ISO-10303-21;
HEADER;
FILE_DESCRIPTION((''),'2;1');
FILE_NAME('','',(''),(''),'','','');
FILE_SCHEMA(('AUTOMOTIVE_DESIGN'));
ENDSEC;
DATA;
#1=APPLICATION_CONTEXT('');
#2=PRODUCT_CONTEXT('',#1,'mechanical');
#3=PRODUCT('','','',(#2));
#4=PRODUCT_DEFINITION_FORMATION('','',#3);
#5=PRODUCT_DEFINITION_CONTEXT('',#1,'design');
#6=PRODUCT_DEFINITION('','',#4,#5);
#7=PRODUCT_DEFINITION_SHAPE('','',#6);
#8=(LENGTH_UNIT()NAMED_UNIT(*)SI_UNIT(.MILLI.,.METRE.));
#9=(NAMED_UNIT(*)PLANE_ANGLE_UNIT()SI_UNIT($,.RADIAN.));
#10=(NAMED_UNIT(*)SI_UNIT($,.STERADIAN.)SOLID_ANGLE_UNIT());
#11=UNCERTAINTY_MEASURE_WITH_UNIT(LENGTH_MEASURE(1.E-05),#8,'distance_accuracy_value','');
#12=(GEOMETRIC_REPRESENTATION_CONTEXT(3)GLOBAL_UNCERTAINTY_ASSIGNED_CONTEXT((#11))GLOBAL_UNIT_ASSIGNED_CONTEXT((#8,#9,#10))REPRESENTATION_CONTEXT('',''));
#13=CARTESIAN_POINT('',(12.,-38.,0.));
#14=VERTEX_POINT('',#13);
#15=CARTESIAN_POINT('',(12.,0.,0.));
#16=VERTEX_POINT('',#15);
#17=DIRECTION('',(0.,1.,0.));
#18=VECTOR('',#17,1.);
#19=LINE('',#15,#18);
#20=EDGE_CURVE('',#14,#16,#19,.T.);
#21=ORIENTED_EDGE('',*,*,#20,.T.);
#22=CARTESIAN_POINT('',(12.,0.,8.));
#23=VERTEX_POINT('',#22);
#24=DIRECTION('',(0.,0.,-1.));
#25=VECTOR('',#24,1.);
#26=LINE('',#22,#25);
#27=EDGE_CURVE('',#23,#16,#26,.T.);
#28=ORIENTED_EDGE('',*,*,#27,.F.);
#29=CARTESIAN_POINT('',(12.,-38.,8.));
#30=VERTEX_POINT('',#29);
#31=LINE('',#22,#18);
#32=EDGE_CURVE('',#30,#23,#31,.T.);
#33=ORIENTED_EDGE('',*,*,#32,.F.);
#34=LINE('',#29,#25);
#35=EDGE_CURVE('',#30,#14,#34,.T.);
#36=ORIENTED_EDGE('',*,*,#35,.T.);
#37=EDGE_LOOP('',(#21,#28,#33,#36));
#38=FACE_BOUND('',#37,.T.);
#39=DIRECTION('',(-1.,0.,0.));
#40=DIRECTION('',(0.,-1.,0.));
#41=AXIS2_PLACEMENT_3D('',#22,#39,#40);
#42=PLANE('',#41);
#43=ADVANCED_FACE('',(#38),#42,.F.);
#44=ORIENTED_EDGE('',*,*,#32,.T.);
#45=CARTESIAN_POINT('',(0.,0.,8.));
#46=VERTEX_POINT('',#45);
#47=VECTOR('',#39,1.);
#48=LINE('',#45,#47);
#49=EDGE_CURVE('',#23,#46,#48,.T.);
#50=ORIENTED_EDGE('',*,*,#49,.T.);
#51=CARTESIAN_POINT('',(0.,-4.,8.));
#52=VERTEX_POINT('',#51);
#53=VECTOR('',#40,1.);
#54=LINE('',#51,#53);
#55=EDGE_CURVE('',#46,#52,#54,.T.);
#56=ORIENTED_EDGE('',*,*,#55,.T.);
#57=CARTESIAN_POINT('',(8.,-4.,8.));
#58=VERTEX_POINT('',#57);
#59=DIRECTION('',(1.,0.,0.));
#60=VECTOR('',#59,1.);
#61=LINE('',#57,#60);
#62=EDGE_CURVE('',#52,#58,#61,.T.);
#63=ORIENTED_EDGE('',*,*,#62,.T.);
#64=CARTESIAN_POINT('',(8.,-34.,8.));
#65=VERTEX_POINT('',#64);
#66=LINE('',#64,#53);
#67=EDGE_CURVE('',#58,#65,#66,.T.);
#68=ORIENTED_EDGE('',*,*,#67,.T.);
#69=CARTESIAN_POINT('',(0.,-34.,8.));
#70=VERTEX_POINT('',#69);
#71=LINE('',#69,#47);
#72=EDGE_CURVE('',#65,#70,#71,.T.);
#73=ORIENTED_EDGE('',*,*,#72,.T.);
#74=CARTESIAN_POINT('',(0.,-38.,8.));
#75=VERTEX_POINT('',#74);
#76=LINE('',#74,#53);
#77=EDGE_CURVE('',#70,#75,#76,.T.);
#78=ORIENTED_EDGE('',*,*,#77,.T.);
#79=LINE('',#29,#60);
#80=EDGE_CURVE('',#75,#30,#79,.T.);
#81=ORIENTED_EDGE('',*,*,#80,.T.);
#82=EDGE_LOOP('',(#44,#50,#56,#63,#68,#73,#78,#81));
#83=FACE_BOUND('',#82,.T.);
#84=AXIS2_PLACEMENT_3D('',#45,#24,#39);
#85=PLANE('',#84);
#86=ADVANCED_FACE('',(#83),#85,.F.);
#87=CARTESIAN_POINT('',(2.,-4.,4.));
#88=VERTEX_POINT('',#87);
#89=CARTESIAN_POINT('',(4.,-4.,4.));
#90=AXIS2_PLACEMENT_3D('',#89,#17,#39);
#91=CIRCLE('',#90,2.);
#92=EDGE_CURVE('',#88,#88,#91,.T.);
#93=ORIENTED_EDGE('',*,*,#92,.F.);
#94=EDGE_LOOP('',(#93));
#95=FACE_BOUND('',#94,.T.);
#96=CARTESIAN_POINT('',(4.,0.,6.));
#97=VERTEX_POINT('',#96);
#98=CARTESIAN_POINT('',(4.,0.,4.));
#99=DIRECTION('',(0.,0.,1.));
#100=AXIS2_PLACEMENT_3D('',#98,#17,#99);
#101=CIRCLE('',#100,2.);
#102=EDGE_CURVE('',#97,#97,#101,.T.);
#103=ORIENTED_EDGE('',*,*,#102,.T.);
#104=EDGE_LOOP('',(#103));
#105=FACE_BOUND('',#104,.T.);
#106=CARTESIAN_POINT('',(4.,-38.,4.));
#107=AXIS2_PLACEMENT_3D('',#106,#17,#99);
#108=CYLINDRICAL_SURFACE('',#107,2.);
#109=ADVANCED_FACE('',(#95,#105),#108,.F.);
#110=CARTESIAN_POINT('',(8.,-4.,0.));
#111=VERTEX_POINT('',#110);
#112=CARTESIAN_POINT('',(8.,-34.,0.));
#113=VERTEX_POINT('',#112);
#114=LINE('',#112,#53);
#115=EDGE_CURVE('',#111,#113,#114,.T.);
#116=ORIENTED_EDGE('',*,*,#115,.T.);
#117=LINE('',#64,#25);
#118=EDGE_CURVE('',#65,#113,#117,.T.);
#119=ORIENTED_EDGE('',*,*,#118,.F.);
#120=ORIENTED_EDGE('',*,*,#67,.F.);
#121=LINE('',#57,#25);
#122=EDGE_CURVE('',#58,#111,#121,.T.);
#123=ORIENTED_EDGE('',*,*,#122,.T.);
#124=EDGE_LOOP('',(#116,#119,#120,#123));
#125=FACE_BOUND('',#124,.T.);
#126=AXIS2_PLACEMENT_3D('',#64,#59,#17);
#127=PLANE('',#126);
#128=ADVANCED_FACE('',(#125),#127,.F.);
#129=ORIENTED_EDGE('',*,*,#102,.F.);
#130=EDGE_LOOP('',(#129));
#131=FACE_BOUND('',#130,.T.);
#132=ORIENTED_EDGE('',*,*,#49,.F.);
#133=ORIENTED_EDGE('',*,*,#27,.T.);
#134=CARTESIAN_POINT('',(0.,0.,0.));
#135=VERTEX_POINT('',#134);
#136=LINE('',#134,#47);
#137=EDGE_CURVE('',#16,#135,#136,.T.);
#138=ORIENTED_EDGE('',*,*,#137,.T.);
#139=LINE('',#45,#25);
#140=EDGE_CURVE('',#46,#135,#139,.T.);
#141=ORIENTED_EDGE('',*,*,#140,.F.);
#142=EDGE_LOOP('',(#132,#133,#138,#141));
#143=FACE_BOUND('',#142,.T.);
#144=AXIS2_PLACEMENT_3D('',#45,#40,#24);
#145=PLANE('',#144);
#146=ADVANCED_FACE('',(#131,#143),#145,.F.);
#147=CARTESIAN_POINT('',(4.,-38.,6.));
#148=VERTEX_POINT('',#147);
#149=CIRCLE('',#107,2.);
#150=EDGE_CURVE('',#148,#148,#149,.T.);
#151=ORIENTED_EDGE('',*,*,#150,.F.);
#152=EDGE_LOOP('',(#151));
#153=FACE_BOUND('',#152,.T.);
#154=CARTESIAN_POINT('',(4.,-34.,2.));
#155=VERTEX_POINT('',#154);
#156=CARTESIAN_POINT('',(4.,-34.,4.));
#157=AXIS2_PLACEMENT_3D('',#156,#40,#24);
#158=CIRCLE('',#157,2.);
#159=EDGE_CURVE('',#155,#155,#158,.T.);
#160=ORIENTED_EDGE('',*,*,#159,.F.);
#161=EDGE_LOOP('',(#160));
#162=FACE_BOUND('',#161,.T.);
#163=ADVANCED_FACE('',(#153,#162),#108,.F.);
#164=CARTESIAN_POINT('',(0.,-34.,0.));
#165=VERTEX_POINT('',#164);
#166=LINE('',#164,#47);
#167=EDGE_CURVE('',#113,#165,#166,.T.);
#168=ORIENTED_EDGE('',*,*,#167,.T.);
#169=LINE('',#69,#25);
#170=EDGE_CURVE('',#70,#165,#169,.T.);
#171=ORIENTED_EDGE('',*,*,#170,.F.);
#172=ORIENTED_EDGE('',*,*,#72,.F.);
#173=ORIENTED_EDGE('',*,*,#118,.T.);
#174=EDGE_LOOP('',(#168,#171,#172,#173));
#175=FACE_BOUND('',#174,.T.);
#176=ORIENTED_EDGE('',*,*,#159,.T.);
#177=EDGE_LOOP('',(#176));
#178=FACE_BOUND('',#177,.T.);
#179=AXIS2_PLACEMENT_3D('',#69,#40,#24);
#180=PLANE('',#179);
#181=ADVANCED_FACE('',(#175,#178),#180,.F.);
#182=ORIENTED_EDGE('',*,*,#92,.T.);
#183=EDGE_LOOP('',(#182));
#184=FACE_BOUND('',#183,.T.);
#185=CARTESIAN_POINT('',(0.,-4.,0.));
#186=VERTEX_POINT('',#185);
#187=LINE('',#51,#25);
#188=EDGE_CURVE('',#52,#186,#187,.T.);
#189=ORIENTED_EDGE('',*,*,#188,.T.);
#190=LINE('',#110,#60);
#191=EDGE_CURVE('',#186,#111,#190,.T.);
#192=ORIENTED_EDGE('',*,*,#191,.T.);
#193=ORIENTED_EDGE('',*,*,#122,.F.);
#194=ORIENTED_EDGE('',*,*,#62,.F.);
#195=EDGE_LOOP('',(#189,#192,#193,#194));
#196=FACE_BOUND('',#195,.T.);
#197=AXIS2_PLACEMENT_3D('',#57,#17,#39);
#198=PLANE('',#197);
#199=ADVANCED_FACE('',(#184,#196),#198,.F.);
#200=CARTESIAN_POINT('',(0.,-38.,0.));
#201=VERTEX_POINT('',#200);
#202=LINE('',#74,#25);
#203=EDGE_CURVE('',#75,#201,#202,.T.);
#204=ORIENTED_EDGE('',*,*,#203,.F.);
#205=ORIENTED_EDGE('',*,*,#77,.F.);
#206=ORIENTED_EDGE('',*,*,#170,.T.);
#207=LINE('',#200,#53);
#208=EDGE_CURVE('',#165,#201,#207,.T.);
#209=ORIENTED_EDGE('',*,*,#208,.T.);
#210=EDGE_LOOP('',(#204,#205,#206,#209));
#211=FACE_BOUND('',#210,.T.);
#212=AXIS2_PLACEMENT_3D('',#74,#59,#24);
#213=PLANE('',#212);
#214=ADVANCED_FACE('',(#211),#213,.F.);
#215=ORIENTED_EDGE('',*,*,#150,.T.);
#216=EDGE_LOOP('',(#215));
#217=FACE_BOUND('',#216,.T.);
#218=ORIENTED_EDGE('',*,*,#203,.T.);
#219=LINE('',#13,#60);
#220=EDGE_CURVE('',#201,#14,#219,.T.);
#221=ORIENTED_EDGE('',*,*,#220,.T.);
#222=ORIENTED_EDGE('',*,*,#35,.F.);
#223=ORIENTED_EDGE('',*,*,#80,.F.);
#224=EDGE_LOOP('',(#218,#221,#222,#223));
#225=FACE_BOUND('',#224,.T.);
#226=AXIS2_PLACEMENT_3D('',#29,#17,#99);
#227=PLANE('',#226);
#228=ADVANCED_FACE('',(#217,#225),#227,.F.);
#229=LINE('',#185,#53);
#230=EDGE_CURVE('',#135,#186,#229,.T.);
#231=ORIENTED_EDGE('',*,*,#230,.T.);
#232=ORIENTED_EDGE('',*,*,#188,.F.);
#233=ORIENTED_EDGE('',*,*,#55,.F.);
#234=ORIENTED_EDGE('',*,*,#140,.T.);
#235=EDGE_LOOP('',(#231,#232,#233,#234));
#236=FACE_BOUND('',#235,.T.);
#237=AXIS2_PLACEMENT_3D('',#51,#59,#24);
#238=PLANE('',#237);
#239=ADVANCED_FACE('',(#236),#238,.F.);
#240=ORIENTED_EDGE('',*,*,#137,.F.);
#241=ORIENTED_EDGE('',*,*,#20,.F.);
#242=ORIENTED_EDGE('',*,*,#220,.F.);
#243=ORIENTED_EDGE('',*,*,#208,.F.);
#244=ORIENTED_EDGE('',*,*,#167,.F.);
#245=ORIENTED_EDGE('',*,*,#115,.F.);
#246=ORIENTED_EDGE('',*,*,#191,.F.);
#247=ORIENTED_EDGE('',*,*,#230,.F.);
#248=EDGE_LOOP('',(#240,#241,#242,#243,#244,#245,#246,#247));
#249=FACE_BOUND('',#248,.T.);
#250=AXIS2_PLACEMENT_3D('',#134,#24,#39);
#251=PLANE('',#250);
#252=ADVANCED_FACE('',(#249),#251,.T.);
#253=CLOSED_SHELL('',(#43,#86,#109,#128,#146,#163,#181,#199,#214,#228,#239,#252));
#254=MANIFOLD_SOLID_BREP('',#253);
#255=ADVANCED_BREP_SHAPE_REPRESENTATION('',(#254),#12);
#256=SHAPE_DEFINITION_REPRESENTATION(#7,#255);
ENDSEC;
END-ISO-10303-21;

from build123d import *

# Parameters (mm, degrees)
BOSS_EXTRUDE1_DEPTH = 8
SKETCH2_R           = 2
CUT_EXTRUDE1_DEPTH  = 38


with BuildPart() as part:
    # Sketch1 → Boss-Extrude1 (new body)
    with BuildSketch(Plane.XY):
        Polygon((0, 0), (12, 0), (12, -38), (0, -38), (0, -34), (8, -34), (8, -4), (0, -4), align=None)
    extrude(amount=BOSS_EXTRUDE1_DEPTH)

    # Sketch2 → Cut-Extrude1 (cut)
    with BuildSketch(Plane(origin=(0, 0, 0), x_dir=(1, 0, 0), z_dir=(0, 1, 0))):
        with Locations(Location((4, -4, 0), (0, 0, 270))):
            Circle(SKETCH2_R)
    extrude(amount=-CUT_EXTRUDE1_DEPTH, mode=Mode.SUBTRACT)


solid = part.part
